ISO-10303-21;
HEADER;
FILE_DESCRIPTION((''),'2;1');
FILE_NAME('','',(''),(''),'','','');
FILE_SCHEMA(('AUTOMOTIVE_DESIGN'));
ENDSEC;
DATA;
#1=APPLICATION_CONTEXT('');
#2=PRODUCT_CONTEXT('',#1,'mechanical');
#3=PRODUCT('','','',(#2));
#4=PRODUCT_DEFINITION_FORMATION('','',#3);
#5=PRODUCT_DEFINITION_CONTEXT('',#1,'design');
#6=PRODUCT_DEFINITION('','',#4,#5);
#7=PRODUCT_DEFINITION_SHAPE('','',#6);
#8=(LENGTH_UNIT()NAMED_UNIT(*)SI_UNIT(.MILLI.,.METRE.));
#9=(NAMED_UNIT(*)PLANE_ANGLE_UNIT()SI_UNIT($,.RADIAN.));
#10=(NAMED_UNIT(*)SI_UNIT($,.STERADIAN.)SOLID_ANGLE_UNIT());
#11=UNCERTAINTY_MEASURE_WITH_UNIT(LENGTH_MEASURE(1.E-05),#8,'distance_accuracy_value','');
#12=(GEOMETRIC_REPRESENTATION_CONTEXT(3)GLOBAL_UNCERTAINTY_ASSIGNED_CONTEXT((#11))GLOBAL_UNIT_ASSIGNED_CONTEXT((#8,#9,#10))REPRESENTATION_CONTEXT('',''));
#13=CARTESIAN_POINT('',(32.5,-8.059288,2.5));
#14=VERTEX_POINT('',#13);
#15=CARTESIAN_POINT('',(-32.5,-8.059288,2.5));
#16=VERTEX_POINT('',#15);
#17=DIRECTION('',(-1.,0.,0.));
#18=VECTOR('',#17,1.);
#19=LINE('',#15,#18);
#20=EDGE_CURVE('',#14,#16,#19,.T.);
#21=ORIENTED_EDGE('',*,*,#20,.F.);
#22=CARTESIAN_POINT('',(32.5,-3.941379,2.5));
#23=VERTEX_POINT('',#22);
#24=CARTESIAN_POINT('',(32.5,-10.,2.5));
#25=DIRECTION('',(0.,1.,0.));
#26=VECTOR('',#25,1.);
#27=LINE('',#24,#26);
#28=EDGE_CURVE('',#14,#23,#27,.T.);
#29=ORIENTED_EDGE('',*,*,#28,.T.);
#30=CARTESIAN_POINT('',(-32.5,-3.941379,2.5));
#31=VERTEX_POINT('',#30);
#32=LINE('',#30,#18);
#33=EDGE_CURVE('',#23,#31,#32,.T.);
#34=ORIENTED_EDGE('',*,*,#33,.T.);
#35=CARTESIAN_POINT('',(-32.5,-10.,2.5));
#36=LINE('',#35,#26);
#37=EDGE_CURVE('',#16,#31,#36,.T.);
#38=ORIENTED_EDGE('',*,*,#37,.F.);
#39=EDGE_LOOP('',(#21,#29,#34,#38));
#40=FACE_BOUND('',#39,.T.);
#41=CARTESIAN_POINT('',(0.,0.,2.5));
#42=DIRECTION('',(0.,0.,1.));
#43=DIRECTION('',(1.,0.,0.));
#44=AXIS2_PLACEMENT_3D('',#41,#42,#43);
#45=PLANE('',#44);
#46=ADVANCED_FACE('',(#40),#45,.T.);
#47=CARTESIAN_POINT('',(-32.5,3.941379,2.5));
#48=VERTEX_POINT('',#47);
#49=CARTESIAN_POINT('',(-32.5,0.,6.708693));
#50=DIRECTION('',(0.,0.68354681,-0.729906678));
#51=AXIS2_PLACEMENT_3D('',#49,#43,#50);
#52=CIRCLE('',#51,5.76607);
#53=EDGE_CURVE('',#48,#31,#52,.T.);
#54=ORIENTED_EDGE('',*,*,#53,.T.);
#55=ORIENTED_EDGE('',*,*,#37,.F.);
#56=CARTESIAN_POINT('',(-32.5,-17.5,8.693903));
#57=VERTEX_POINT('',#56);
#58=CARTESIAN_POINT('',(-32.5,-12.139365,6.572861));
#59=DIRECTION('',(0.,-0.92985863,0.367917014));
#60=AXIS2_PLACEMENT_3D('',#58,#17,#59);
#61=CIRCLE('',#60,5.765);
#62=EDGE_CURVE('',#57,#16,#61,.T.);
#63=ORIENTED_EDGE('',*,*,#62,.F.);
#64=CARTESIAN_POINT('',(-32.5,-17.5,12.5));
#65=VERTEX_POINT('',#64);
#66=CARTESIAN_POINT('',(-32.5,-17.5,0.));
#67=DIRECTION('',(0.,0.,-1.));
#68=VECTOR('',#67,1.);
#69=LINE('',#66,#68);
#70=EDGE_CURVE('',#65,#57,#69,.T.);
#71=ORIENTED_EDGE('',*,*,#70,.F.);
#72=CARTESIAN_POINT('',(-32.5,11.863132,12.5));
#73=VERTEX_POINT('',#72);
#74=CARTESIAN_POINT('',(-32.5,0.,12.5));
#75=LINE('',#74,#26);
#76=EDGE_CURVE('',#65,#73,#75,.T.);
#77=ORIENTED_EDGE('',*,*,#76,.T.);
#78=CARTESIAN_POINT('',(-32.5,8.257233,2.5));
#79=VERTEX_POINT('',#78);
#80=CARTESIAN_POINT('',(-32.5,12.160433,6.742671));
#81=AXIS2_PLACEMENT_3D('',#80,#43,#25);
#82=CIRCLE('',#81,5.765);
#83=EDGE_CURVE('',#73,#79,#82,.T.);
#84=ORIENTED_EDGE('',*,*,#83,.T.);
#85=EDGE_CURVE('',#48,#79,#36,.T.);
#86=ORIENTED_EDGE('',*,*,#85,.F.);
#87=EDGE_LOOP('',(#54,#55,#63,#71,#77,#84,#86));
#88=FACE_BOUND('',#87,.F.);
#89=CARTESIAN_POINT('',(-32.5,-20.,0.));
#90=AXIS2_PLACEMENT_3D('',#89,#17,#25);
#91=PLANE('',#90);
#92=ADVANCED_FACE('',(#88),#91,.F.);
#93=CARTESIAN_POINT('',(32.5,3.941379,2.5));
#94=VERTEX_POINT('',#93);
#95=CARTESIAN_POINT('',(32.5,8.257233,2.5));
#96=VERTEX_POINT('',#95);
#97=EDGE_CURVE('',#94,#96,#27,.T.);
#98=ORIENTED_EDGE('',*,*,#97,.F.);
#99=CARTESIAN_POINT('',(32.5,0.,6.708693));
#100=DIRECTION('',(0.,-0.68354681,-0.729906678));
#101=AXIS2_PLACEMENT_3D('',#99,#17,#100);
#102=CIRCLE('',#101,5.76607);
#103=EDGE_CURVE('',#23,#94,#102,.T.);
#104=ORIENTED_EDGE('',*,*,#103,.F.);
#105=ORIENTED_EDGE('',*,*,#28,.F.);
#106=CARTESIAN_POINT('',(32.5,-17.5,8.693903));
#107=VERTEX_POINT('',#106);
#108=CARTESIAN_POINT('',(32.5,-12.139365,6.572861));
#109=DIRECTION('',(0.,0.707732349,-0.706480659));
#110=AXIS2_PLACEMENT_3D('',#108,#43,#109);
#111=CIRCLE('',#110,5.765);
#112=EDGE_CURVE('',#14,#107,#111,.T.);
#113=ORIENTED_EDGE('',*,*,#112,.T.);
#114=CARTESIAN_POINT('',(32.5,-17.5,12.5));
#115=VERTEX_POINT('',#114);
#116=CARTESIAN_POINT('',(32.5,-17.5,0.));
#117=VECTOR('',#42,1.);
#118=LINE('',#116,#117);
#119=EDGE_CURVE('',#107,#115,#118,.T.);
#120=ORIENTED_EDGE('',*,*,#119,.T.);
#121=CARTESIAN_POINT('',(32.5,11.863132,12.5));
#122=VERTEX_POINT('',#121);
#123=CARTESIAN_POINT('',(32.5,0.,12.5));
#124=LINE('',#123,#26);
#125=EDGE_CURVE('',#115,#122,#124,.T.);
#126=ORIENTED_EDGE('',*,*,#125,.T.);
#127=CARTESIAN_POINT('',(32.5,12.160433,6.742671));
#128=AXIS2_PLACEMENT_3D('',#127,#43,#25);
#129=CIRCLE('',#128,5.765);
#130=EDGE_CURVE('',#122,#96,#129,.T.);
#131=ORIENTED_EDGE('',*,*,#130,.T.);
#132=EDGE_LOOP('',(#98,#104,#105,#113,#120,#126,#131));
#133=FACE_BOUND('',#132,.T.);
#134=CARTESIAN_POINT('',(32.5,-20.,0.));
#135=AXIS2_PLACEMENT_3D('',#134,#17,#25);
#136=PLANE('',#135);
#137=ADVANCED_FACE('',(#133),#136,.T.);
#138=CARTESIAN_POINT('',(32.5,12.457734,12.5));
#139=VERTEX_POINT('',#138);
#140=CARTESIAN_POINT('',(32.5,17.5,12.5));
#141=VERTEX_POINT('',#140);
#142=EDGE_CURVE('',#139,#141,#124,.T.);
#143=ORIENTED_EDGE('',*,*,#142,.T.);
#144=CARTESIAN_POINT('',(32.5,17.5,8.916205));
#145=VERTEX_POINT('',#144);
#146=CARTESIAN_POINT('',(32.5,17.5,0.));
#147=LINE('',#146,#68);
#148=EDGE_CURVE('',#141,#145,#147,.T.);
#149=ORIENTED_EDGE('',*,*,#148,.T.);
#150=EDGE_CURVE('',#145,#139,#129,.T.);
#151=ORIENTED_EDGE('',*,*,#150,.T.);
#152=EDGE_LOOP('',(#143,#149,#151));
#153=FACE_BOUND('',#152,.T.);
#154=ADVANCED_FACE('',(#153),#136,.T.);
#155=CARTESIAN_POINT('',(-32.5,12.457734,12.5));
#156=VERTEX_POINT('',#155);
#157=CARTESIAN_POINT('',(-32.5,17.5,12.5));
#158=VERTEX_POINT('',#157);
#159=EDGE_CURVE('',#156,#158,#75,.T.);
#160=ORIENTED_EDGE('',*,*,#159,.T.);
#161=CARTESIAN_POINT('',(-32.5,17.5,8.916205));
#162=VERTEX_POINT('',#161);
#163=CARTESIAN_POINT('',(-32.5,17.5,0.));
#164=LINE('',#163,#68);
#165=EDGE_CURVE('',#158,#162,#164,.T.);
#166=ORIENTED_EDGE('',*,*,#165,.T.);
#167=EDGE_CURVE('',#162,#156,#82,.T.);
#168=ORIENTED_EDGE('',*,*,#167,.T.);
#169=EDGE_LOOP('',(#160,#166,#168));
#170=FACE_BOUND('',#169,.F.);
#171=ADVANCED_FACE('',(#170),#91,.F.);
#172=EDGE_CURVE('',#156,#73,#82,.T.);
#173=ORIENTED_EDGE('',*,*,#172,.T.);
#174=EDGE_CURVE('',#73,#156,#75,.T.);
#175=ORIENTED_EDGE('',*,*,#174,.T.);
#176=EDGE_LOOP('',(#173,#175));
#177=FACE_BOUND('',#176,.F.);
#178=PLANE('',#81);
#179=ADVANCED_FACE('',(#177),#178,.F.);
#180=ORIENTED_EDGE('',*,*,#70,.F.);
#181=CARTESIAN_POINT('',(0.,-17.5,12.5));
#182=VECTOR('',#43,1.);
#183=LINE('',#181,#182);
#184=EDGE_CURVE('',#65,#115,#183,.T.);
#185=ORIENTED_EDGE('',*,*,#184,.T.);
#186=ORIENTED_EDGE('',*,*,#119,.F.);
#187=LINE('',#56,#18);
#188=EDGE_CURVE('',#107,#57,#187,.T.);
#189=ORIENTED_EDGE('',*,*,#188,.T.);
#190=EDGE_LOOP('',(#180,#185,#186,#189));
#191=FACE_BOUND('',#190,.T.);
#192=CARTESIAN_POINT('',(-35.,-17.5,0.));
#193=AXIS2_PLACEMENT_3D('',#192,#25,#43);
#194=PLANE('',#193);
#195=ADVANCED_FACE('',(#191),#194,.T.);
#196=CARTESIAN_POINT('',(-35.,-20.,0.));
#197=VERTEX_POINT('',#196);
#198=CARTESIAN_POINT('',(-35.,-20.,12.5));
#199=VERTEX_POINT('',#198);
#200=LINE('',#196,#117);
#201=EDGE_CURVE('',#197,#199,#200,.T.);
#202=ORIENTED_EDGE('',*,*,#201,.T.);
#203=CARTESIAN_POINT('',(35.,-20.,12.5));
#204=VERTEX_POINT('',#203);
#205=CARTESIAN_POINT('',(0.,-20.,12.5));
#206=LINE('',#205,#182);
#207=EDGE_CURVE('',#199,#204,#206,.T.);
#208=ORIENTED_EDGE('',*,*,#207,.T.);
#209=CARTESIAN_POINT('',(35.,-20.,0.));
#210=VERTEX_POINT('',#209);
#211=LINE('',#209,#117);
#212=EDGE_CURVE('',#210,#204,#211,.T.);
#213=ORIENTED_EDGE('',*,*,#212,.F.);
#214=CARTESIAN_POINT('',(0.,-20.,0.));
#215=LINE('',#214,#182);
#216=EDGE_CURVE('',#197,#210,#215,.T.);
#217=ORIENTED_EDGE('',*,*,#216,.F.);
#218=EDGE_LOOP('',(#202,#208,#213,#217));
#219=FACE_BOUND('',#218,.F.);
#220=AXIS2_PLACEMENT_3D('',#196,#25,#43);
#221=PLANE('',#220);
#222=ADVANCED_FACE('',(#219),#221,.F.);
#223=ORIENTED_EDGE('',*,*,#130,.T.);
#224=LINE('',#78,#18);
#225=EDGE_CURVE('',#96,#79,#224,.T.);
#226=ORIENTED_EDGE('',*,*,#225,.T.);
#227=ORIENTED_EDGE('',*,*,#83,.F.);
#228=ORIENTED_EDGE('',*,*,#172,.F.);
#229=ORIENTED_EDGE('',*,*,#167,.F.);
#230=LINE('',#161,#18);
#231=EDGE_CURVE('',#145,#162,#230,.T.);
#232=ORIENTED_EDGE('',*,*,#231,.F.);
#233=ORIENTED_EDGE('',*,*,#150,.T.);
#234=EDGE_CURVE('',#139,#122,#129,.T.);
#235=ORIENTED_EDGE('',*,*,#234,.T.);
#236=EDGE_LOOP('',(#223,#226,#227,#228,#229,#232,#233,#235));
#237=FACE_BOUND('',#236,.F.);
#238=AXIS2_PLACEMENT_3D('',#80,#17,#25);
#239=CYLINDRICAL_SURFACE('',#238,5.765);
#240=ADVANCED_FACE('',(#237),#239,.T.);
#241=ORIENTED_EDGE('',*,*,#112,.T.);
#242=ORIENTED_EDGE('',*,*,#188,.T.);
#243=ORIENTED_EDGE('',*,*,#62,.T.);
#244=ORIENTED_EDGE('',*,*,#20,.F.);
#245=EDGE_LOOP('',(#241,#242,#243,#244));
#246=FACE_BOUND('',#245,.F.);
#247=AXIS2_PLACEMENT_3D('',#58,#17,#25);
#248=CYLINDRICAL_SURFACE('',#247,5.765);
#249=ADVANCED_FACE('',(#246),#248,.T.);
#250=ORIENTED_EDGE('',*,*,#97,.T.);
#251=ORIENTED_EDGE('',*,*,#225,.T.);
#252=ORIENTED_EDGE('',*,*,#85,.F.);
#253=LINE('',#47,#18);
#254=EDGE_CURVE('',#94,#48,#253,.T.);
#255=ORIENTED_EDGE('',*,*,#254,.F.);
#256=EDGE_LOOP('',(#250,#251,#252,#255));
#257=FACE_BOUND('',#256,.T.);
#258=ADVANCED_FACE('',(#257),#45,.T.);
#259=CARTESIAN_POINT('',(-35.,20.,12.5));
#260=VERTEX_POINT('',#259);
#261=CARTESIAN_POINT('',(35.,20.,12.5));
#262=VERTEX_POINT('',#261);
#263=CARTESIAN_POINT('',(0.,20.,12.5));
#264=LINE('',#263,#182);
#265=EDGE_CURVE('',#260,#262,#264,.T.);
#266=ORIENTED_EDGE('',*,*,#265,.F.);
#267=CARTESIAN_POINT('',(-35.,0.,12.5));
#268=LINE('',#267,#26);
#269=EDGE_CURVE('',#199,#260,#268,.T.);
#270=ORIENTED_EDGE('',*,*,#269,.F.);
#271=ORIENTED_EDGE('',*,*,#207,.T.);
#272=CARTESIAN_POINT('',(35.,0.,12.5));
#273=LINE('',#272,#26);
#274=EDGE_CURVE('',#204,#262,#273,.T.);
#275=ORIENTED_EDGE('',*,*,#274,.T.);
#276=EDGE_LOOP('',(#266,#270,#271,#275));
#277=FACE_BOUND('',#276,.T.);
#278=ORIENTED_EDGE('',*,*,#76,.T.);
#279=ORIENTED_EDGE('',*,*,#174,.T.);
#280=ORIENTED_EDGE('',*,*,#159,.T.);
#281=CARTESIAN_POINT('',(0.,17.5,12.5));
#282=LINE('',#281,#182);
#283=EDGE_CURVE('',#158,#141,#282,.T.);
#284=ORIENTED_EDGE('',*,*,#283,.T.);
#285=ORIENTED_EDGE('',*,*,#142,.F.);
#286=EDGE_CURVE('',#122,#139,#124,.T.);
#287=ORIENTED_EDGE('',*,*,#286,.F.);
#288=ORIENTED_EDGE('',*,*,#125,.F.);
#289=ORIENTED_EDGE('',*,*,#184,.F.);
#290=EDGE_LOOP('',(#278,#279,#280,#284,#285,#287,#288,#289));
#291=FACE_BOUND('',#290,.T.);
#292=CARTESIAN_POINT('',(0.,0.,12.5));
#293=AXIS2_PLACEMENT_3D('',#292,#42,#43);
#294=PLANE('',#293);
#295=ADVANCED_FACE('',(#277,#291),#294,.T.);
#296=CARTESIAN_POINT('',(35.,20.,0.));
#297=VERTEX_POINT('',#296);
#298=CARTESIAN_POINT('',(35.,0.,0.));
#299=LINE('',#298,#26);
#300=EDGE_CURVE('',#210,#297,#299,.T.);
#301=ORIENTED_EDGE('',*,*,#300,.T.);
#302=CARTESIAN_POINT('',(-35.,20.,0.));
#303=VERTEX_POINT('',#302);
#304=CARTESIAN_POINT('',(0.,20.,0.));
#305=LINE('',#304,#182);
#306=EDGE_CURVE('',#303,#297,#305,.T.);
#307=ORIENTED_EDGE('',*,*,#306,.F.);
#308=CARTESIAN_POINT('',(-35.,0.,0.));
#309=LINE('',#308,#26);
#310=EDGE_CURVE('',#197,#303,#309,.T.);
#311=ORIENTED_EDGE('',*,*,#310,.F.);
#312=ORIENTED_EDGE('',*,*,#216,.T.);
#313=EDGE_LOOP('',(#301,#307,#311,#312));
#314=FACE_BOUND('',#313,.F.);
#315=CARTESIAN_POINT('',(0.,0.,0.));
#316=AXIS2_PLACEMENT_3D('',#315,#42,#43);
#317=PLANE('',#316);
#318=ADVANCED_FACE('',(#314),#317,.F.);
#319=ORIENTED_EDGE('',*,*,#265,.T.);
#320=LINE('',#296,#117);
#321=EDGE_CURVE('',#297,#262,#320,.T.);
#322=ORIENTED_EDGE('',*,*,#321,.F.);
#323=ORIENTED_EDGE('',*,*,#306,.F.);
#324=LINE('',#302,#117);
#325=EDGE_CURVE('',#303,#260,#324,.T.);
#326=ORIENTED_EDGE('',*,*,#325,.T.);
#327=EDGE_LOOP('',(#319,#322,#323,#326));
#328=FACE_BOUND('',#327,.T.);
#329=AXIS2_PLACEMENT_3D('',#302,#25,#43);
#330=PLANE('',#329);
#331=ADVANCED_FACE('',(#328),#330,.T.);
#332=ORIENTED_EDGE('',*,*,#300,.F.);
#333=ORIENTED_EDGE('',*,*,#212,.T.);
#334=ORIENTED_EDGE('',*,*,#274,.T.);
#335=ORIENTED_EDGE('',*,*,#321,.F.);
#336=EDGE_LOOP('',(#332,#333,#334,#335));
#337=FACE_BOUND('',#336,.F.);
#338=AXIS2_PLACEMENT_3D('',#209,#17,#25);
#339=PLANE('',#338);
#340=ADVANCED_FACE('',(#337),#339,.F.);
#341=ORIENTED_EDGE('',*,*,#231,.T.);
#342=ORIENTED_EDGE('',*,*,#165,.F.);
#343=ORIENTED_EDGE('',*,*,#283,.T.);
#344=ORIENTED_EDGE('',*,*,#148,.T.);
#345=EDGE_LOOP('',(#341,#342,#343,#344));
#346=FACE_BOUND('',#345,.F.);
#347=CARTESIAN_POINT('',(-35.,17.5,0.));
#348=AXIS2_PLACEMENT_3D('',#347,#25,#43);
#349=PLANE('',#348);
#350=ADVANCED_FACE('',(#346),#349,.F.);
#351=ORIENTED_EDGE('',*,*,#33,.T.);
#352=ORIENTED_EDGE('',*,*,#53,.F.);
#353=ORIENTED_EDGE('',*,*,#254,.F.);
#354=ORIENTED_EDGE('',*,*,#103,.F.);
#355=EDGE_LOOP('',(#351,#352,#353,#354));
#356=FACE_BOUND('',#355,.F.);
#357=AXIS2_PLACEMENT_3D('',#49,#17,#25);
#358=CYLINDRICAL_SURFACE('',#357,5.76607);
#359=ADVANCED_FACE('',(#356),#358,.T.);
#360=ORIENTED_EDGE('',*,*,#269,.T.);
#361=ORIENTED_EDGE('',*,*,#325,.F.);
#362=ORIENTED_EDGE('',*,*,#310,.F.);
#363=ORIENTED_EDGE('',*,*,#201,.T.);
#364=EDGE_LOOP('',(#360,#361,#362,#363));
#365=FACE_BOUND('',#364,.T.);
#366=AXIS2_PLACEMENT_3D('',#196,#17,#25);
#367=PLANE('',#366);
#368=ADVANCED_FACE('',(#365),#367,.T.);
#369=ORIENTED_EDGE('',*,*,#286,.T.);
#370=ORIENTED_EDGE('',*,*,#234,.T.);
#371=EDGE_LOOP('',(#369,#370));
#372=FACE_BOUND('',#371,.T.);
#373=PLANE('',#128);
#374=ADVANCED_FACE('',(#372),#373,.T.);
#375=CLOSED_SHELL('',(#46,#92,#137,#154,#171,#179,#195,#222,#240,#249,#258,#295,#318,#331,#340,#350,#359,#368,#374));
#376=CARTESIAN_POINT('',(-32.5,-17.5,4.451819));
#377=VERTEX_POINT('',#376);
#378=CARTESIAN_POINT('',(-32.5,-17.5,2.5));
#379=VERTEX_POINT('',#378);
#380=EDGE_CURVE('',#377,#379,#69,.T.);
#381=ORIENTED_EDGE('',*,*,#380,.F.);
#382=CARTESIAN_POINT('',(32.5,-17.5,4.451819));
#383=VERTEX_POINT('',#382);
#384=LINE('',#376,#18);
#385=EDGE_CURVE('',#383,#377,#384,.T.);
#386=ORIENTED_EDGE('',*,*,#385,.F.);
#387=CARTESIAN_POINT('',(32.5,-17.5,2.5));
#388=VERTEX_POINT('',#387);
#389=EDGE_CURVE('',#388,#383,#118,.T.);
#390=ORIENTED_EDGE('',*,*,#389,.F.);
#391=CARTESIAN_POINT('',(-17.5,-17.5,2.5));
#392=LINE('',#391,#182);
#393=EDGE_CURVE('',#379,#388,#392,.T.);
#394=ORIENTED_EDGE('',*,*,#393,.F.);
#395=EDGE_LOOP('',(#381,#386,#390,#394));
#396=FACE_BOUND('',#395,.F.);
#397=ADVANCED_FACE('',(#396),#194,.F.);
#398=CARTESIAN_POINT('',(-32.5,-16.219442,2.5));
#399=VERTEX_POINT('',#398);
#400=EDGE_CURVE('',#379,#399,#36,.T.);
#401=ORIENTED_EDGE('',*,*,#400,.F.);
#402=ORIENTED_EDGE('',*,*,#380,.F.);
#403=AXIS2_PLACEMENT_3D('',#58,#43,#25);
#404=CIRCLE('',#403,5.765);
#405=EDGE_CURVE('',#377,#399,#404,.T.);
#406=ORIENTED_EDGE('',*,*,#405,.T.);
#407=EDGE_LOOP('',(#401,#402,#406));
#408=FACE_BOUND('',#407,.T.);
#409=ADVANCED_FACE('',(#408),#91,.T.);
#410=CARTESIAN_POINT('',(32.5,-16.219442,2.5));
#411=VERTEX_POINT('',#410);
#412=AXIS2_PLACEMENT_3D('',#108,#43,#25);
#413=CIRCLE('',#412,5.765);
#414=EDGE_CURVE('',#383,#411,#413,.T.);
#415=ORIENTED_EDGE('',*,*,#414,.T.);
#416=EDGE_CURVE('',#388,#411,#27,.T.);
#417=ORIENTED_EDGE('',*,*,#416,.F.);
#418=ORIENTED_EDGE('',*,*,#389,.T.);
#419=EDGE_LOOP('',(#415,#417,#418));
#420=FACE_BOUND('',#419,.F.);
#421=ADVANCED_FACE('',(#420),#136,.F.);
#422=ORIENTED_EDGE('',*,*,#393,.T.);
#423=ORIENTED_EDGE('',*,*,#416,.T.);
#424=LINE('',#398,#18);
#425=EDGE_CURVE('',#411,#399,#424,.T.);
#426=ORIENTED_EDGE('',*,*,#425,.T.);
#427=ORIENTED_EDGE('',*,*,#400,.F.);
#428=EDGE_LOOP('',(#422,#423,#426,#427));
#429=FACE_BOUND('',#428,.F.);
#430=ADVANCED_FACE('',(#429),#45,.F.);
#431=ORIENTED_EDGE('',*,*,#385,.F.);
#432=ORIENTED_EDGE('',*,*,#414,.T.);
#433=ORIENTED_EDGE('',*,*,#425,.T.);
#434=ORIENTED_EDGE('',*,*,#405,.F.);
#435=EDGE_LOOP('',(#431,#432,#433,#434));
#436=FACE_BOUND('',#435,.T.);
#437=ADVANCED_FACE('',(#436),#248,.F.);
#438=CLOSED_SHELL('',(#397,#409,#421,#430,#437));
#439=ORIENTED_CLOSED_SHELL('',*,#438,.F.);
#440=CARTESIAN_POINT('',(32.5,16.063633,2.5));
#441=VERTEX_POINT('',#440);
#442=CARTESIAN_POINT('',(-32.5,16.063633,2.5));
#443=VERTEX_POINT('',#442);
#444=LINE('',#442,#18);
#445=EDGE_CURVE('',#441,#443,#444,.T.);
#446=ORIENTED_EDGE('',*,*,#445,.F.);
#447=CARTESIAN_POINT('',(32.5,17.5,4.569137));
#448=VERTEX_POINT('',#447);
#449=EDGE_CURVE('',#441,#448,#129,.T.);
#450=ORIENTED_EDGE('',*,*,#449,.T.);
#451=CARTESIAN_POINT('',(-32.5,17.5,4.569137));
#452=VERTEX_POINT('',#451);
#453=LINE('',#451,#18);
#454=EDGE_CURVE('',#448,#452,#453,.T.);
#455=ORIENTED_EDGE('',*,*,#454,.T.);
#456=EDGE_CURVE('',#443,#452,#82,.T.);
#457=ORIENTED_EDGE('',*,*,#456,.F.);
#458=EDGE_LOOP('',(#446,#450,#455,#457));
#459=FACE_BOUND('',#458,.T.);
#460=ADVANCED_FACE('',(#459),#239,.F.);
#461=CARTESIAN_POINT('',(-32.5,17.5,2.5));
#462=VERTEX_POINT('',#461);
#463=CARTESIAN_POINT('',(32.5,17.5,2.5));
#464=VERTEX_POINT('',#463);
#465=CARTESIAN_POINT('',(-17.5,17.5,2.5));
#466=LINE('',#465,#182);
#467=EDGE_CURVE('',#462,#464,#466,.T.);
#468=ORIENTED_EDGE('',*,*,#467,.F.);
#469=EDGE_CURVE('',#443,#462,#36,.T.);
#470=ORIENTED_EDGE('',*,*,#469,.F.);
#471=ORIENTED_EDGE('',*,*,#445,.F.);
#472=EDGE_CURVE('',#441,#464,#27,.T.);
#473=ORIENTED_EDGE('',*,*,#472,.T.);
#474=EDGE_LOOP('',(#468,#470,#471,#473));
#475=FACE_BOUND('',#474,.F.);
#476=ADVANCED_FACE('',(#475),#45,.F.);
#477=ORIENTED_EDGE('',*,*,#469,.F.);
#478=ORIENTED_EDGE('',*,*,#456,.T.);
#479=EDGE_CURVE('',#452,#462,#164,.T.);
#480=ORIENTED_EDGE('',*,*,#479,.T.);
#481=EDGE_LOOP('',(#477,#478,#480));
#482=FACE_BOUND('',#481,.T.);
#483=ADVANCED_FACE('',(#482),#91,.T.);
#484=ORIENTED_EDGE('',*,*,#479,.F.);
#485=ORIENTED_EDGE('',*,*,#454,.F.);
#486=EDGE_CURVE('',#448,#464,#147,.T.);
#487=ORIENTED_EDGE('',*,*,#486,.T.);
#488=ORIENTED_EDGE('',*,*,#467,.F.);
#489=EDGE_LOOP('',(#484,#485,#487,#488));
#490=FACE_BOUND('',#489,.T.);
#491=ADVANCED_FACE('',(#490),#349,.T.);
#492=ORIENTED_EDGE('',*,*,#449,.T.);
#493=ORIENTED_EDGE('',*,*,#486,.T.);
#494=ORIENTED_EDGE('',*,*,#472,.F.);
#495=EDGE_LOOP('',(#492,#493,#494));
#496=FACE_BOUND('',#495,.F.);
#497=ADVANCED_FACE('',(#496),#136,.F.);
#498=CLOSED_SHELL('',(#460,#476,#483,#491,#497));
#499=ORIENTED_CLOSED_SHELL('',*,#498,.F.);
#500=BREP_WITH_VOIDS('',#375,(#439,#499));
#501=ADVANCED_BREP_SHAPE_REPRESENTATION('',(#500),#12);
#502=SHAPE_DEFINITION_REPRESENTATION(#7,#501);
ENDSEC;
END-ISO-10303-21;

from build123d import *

# Parameters (mm, degrees)
F0_W     = 70
F0_H     = 40
F1_DEPTH = 12.5
F2_T     = -2.5
F4_R     = 5.76607
F4_R_2   = 5.765
F5_DEPTH = 65


with BuildPart() as f1:
    # F0 (on Top) → F1 (new body)
    with BuildSketch(Plane.XY):
        Rectangle(F0_W, F0_H)
    extrude(amount=F1_DEPTH)

    # F2
    f2_openings = [f1.faces().sort_by_distance(p)[0] for p in [
        (0, 0, 12.5),
    ]]
    offset(amount=F2_T, openings=f2_openings)

    # F4 (on offset) → F5 (join)
    with BuildSketch(Plane.YZ.offset(-32.5)):
        with Locations((0, 6.708693)):
            Circle(F4_R)
        with Locations((12.160433, 6.742671)):
            Circle(F4_R_2)
        with Locations((-12.139365, 6.572861)):
            Circle(F4_R_2)
    extrude(amount=F5_DEPTH)


solid = f1.part
